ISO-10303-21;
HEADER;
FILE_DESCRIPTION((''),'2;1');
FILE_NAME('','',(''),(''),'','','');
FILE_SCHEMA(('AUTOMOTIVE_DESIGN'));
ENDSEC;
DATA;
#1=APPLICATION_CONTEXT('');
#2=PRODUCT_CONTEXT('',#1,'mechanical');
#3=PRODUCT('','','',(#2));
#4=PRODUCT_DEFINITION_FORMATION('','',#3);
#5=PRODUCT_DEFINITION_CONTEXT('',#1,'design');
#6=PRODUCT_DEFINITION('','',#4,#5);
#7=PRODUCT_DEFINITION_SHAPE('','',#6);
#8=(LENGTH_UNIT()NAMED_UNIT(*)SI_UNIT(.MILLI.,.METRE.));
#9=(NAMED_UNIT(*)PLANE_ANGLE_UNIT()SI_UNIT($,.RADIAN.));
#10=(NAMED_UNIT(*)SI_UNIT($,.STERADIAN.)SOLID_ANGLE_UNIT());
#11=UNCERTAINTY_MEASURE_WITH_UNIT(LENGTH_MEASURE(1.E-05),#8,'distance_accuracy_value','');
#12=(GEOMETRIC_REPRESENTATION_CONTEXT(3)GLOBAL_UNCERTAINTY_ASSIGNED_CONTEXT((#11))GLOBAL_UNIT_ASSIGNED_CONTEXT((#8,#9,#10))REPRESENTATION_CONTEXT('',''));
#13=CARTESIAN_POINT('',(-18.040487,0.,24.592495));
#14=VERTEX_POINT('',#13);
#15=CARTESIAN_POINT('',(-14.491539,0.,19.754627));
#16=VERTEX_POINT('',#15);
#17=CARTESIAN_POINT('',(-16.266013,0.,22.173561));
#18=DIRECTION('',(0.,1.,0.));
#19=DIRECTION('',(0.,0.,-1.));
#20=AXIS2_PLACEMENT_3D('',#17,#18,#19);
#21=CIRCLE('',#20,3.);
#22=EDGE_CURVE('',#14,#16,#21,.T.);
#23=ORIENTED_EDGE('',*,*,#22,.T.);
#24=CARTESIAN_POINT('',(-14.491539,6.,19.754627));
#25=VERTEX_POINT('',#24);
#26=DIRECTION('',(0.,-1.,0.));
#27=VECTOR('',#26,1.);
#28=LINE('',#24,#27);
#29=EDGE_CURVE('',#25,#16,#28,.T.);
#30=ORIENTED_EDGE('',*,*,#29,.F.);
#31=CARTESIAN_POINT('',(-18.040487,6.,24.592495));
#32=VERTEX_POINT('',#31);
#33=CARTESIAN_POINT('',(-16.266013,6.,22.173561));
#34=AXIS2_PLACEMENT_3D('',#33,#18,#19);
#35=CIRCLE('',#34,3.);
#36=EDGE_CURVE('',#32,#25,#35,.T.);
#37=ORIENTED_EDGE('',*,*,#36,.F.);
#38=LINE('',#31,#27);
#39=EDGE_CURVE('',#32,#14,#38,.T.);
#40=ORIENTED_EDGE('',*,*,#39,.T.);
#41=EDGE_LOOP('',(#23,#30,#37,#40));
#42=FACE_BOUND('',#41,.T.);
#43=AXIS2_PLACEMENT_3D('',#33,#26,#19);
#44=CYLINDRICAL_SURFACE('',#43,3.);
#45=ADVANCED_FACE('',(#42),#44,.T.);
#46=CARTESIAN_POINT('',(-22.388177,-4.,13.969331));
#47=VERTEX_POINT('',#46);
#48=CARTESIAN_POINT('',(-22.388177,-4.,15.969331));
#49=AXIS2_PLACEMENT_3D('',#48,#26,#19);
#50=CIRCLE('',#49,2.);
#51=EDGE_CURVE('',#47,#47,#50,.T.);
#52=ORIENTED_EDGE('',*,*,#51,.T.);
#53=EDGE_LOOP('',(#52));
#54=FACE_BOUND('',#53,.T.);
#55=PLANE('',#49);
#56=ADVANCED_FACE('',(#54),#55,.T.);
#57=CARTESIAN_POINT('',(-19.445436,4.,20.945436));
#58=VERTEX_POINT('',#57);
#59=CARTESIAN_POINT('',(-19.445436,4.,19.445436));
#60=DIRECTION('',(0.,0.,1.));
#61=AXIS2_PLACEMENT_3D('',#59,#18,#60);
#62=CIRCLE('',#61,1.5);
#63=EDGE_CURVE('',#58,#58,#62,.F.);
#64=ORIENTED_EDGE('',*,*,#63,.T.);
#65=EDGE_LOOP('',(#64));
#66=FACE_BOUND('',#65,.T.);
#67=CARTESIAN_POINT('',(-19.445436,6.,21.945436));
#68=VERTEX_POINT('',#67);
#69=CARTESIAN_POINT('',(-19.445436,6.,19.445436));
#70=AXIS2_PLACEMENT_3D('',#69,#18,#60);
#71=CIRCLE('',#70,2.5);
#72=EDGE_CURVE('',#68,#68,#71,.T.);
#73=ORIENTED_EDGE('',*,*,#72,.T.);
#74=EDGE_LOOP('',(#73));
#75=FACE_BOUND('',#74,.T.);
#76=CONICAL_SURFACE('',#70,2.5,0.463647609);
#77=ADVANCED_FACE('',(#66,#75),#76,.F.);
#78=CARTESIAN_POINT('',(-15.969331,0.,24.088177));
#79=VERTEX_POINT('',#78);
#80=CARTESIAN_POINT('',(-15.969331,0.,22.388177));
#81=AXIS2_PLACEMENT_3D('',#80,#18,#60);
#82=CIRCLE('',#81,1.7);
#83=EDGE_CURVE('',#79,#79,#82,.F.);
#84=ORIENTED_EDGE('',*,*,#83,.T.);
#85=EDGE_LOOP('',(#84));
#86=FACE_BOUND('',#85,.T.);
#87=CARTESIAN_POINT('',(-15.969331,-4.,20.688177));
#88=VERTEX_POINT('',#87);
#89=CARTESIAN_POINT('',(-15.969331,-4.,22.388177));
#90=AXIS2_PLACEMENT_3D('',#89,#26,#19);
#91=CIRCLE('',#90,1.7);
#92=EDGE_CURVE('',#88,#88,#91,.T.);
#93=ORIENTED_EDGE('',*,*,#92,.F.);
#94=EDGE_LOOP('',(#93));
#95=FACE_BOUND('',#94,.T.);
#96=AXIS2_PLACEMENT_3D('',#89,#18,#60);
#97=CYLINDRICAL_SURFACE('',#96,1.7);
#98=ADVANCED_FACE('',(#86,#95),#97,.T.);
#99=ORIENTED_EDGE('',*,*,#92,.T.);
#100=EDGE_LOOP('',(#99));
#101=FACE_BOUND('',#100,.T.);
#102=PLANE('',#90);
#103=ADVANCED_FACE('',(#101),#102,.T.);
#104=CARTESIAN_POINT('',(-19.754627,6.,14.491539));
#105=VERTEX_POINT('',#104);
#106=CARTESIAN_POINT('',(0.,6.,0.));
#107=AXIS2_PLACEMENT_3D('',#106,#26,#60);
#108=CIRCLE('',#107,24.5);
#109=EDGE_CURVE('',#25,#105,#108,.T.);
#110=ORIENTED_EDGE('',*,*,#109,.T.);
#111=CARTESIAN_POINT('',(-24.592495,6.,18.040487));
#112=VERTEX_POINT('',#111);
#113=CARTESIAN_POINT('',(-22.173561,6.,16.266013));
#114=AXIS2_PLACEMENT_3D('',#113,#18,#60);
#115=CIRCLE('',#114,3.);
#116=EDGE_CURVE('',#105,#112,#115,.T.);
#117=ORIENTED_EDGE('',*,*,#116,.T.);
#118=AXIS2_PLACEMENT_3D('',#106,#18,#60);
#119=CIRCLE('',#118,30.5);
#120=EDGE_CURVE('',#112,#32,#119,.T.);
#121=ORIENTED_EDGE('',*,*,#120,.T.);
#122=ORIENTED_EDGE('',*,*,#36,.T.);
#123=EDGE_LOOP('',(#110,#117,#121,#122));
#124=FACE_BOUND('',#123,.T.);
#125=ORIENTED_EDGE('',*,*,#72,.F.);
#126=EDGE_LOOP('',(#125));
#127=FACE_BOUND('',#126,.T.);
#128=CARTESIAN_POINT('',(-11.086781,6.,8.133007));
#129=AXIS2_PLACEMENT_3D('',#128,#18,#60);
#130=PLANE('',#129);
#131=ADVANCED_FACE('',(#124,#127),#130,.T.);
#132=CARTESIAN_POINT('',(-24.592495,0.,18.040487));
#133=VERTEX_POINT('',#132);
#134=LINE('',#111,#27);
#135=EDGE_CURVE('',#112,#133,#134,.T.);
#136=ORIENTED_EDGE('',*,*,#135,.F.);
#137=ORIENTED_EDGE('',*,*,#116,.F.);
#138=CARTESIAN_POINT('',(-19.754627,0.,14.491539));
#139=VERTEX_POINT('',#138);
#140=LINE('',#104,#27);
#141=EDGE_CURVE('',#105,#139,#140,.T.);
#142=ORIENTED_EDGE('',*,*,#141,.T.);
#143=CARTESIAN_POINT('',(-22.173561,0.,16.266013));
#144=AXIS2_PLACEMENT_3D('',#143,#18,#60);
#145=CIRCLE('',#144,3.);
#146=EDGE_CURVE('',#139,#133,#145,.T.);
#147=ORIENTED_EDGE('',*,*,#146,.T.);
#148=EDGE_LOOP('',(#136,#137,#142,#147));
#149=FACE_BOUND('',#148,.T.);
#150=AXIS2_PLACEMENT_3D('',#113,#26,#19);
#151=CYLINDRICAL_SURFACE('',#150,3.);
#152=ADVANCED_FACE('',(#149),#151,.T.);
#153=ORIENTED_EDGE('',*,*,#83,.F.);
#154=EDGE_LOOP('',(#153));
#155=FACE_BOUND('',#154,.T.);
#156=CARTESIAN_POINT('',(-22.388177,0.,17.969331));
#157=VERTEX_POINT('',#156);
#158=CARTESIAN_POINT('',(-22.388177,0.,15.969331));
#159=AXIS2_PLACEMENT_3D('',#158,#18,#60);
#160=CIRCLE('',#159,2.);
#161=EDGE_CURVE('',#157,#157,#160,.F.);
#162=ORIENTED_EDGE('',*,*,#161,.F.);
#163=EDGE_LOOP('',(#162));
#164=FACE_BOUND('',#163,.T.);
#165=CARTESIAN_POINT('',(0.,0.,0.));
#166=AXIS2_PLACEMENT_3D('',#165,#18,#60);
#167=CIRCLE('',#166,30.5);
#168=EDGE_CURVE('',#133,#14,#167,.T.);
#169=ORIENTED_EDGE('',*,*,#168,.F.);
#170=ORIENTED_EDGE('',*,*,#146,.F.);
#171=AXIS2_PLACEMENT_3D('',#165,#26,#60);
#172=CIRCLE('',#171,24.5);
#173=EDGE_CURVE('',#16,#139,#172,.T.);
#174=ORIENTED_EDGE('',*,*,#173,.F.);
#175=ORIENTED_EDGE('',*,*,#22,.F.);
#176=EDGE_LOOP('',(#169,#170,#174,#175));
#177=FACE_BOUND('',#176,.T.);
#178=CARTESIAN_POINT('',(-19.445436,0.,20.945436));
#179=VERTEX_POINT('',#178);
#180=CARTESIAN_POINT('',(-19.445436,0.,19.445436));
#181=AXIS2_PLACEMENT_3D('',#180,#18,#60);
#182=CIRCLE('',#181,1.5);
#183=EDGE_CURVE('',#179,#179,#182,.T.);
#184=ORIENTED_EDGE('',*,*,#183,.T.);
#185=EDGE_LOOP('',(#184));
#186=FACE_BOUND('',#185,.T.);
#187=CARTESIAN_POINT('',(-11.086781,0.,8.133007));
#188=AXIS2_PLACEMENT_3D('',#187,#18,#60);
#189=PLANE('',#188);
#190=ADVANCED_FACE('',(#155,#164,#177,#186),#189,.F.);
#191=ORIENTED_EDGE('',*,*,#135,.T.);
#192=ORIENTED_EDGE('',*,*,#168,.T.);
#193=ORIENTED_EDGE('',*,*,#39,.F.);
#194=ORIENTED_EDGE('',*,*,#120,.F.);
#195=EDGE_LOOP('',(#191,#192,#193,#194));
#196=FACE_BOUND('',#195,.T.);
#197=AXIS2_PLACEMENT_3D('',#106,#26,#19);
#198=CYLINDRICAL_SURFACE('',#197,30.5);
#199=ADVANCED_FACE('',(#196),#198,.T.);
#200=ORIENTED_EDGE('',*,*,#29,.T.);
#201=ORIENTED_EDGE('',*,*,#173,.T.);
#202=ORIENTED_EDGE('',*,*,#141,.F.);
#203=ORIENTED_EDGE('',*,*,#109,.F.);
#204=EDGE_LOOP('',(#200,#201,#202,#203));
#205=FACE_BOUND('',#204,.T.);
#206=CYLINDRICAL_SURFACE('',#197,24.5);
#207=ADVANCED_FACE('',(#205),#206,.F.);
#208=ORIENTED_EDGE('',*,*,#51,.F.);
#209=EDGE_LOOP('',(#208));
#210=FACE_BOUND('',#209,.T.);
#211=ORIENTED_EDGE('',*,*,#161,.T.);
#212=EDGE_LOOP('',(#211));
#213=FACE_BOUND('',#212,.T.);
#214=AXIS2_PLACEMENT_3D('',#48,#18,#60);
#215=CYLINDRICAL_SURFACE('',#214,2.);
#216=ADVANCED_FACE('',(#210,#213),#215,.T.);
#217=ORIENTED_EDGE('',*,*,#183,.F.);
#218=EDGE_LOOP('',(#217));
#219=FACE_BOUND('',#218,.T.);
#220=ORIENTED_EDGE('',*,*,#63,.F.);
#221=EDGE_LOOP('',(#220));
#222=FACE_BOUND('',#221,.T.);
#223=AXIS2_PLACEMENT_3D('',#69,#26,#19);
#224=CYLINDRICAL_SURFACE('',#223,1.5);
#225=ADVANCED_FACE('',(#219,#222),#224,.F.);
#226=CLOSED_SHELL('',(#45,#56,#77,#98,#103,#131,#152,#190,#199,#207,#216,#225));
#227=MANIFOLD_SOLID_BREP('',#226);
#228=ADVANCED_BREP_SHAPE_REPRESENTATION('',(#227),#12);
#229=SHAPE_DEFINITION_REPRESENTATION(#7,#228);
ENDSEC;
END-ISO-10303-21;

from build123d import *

# Parameters (mm, degrees)
SKETCH_1_R      = 1.5
EXTRUDE_1_DEPTH = 6
SKETCH_3_R      = 1.7
SKETCH_3_R_2    = 2
EXTRUDE_2_DEPTH = 4


with BuildPart() as part:
    # 草图1 → 凸台-拉伸1 (new body)
    with BuildSketch(Plane(origin=(0, 0, 0), x_dir=(1, 0, 0), z_dir=(0, 1, 0))):
        with BuildLine():
            ThreePointArc((-24.592495152, -18.040487305), (-21.566756826, -21.566756826), (-18.040487305, -24.592495152))
            ThreePointArc((-18.040487305, -24.592495152), (-13.847079195, -23.948035364), (-14.491538983, -19.754627253))
            ThreePointArc((-14.491538983, -19.754627253), (-17.324116139, -17.324116139), (-19.754627253, -14.491538983))
            ThreePointArc((-19.754627253, -14.491538983), (-23.948035364, -13.847079195), (-24.592495152, -18.040487305))
        make_face()
        with Locations((-19.445436483, -19.445436483)):
            Circle(SKETCH_1_R, mode=Mode.SUBTRACT)
    extrude(amount=EXTRUDE_1_DEPTH)

    # 草图2 → 切除-旋转1 (revolve, cut)
    with BuildSketch(Plane(origin=(-19.445436483, 0, 0), x_dir=(0, 0, -1), z_dir=(1, 0, 0))):
        Polygon((-19.445436483, 6), (-21.945436483, 6), (-20.695436483, 3.5), (-19.445436483, 3.5), align=None)
    revolve(axis=Axis((-19.445436483, 6, 19.445436483), (0, -1, 0)), mode=Mode.SUBTRACT)

    # 草图3 → 凸台-拉伸2 (add)
    with BuildSketch(Plane.XZ):
        with Locations((-15.969331282, 22.388176755)):
            Circle(SKETCH_3_R)
        with Locations((-22.388176755, 15.969331282)):
            Circle(SKETCH_3_R_2)
    extrude(amount=EXTRUDE_2_DEPTH)


solid = part.part
